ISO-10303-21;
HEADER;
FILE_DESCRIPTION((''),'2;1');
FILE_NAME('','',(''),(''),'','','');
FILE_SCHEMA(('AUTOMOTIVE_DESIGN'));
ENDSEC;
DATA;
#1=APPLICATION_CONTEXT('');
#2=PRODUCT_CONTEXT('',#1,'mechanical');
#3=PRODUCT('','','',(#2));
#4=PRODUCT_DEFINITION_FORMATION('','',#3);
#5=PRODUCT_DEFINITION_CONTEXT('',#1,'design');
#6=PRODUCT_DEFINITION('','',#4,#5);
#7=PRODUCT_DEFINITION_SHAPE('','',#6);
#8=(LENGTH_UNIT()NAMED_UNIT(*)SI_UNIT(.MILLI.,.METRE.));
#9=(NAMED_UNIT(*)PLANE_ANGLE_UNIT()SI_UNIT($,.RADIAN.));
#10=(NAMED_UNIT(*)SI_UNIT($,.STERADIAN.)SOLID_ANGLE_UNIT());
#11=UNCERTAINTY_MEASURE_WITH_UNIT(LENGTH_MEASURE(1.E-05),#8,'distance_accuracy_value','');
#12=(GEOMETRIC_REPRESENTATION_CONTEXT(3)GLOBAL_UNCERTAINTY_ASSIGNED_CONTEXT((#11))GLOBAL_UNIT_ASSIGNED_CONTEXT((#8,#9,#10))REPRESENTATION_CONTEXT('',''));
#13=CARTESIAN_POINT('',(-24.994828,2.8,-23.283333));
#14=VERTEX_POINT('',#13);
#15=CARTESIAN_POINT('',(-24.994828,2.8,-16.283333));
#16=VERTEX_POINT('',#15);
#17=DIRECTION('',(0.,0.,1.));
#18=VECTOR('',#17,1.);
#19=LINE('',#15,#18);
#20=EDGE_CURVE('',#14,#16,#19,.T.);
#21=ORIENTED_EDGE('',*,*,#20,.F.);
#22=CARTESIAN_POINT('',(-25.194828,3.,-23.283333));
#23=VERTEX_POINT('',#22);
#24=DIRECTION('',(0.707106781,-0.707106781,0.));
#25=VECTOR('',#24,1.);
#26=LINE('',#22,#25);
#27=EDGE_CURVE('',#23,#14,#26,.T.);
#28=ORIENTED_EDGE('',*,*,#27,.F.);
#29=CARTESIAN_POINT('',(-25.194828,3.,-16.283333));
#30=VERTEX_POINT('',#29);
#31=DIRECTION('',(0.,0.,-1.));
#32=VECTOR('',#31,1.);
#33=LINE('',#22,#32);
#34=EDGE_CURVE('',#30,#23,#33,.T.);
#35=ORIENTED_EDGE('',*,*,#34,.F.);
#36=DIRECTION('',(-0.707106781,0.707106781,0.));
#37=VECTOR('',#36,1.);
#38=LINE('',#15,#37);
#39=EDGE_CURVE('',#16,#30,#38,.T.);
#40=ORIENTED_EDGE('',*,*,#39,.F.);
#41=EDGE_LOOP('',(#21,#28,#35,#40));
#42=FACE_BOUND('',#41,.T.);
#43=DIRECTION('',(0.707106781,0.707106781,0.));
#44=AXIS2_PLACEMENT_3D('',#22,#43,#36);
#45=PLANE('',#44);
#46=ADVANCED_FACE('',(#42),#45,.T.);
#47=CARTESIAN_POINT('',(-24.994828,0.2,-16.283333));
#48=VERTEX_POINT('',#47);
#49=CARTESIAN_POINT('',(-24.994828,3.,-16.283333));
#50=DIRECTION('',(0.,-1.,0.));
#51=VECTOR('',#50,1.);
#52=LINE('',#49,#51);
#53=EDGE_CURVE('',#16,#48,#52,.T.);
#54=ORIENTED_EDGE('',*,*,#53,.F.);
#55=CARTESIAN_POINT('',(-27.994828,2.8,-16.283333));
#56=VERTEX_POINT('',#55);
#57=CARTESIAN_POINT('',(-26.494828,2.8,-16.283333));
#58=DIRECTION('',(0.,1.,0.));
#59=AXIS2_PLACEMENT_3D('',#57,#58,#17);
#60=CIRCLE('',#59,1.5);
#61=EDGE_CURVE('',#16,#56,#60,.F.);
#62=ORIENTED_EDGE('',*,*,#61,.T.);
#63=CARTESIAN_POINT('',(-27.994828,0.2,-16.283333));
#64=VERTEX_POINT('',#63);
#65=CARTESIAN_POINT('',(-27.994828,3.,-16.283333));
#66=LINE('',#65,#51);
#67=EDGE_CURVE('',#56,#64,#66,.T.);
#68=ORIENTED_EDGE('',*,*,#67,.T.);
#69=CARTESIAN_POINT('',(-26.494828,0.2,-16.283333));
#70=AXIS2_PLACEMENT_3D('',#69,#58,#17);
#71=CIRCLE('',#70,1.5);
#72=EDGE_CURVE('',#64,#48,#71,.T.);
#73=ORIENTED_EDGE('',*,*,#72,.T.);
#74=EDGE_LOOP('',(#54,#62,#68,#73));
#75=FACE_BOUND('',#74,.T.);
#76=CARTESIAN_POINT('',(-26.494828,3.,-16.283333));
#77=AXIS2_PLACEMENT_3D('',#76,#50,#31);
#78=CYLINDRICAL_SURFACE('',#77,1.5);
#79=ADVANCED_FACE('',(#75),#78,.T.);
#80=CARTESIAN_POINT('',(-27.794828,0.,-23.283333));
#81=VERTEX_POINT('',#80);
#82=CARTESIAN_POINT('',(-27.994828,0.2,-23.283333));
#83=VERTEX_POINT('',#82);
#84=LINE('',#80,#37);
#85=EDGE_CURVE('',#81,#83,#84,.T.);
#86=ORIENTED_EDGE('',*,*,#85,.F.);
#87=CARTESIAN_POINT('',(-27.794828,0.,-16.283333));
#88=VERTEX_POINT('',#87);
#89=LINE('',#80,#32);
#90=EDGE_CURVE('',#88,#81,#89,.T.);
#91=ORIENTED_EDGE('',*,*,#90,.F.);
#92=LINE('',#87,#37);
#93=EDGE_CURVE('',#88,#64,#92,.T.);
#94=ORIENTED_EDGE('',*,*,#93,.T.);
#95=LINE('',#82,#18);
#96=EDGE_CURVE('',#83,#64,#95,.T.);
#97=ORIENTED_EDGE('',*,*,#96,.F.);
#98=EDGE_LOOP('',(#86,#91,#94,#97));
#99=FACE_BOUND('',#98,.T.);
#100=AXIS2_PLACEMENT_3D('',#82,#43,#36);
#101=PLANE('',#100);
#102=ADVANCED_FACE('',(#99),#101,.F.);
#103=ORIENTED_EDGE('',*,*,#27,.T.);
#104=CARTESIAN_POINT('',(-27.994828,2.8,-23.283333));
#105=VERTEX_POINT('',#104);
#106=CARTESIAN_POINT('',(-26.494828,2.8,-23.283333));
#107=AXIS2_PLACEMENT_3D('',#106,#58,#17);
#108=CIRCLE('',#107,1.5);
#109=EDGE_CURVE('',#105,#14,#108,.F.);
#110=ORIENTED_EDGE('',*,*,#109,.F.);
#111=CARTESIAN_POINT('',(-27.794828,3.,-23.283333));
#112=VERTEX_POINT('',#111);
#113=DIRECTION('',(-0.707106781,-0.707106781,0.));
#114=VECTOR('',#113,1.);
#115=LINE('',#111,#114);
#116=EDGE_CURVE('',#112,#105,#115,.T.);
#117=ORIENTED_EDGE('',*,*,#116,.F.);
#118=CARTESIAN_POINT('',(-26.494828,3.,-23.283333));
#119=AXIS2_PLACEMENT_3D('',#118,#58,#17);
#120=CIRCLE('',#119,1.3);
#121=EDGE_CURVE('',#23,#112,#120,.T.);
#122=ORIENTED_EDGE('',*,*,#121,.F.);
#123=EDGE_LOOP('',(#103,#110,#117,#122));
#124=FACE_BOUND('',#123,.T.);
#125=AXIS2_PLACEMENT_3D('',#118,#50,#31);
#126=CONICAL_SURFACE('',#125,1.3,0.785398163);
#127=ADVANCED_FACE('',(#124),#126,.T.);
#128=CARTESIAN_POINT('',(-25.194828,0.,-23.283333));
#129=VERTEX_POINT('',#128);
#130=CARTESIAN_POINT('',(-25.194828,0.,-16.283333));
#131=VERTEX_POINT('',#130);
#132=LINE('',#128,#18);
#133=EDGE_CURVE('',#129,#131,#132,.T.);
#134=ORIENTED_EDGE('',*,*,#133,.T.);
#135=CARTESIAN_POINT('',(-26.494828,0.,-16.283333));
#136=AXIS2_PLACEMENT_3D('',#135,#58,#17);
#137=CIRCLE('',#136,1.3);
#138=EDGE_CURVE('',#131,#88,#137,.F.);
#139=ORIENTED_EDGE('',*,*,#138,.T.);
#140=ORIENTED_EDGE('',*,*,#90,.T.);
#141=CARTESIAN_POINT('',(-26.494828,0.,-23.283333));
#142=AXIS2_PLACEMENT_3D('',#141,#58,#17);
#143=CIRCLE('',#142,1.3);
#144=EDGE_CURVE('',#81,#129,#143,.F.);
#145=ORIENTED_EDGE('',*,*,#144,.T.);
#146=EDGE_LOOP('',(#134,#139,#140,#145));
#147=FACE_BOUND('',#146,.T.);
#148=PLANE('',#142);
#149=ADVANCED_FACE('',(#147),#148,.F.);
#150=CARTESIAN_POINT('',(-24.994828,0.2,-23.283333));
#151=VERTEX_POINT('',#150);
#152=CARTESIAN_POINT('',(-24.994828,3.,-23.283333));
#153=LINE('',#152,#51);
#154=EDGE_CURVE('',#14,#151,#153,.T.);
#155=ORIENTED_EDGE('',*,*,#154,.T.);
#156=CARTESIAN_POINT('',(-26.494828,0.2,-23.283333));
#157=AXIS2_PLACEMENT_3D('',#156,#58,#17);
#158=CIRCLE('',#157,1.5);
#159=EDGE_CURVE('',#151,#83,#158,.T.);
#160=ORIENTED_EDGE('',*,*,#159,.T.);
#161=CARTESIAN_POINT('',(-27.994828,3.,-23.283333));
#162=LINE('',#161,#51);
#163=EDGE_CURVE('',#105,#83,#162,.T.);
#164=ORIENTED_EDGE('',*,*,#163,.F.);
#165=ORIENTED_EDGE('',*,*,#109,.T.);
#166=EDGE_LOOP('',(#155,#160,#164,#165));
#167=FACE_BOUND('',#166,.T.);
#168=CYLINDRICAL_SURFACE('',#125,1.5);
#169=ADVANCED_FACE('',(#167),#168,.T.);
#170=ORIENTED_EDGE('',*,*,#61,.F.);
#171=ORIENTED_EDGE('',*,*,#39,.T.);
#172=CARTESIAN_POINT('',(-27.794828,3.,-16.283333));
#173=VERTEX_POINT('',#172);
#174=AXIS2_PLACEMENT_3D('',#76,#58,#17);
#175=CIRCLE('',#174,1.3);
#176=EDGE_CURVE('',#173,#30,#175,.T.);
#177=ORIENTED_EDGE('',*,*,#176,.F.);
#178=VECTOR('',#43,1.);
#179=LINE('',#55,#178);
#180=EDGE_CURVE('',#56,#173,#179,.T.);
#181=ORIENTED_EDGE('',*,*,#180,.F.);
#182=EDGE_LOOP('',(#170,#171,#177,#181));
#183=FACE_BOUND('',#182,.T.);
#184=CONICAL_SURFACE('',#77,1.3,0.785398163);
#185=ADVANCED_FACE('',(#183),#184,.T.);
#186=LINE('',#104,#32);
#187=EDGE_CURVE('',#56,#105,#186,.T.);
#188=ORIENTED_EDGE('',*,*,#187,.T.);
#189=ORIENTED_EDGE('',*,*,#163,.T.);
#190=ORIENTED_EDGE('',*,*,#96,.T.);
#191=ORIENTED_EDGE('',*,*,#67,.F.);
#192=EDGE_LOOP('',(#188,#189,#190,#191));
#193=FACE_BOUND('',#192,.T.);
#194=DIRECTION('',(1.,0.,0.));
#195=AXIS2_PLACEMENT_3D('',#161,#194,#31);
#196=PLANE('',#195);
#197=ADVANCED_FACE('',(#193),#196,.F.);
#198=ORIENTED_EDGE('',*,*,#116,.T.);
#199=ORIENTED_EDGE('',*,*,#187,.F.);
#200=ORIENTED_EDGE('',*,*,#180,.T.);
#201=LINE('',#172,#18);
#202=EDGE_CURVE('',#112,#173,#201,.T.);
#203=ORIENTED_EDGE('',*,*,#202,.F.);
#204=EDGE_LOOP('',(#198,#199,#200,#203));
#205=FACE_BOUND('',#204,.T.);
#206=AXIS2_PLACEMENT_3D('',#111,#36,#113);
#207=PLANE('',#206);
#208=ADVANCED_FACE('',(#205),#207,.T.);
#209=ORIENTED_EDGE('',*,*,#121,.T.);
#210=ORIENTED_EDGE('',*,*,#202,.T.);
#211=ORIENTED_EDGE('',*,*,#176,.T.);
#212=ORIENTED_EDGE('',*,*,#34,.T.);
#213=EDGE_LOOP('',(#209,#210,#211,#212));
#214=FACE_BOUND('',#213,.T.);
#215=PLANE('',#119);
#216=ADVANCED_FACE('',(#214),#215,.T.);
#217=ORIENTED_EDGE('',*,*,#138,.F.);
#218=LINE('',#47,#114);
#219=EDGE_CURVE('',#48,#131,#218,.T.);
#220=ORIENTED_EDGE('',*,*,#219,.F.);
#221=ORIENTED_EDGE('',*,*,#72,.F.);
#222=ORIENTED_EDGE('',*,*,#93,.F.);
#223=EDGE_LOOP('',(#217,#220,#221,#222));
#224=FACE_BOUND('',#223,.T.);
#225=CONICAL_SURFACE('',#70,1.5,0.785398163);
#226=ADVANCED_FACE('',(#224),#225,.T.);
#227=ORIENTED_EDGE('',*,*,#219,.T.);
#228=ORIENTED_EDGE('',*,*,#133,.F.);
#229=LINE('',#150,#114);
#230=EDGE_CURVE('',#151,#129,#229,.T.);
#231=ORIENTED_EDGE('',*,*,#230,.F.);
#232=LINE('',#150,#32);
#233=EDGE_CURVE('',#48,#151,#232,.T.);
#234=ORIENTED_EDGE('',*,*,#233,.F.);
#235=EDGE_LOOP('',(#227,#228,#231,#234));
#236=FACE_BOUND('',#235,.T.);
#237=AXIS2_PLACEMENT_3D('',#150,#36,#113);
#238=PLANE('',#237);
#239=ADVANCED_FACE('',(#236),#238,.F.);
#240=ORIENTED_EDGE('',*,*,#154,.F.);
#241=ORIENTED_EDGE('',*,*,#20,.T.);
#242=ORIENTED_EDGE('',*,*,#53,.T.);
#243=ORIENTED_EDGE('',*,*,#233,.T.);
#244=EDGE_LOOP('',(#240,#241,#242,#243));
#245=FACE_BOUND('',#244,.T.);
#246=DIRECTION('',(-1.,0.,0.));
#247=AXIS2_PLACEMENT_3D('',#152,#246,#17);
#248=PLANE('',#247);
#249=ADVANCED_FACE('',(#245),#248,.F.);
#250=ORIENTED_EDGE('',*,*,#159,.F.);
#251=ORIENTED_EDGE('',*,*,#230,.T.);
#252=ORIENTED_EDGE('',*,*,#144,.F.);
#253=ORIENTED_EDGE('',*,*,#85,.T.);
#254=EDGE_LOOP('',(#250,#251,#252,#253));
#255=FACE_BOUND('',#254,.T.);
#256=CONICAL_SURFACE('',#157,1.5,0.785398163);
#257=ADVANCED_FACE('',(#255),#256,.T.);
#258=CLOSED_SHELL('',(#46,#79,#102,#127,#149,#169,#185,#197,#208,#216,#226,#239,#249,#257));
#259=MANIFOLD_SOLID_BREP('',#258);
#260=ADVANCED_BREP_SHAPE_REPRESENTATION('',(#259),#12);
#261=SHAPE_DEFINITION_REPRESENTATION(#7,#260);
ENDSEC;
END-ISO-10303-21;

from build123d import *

# Parameters (mm, degrees)
EXTRUDE1_DEPTH = 3
CHAMFER1_SIZE  = 0.2


with BuildPart() as part:
    # Sketch1 → Extrude1 (new body)
    with BuildSketch(Plane(origin=(0, 0, 0), x_dir=(1, 0, 0), z_dir=(0, 1, 0))):
        with BuildLine():
            Line((-24.994827586, 23.283333333), (-24.994827586, 16.283333333))
            ThreePointArc((-24.994827586, 16.283333333), (-26.494827586, 14.783333333), (-27.994827586, 16.283333333))
            Line((-27.994827586, 16.283333333), (-27.994827586, 23.283333333))
            ThreePointArc((-27.994827586, 23.283333333), (-26.494827586, 24.783333333), (-24.994827586, 23.283333333))
        make_face()
    extrude(amount=EXTRUDE1_DEPTH)

    # Chamfer1
    chamfer1_edges = [part.edges().sort_by_distance(p)[0] for p in [
        (-26.494827586, 3, -14.783333333),
        (-24.994827586, 3, -19.783333333),
        (-26.494827586, 3, -24.783333333),
        (-24.994827586, 0, -19.783333333),
        (-26.494827586, 0, -14.783333333),
        (-27.994827586, 0, -19.783333333),
        (-26.494827586, 0, -24.783333333),
        (-27.994827586, 3, -19.783333333),
    ]]
    chamfer(chamfer1_edges, length=CHAMFER1_SIZE)


solid = part.part
